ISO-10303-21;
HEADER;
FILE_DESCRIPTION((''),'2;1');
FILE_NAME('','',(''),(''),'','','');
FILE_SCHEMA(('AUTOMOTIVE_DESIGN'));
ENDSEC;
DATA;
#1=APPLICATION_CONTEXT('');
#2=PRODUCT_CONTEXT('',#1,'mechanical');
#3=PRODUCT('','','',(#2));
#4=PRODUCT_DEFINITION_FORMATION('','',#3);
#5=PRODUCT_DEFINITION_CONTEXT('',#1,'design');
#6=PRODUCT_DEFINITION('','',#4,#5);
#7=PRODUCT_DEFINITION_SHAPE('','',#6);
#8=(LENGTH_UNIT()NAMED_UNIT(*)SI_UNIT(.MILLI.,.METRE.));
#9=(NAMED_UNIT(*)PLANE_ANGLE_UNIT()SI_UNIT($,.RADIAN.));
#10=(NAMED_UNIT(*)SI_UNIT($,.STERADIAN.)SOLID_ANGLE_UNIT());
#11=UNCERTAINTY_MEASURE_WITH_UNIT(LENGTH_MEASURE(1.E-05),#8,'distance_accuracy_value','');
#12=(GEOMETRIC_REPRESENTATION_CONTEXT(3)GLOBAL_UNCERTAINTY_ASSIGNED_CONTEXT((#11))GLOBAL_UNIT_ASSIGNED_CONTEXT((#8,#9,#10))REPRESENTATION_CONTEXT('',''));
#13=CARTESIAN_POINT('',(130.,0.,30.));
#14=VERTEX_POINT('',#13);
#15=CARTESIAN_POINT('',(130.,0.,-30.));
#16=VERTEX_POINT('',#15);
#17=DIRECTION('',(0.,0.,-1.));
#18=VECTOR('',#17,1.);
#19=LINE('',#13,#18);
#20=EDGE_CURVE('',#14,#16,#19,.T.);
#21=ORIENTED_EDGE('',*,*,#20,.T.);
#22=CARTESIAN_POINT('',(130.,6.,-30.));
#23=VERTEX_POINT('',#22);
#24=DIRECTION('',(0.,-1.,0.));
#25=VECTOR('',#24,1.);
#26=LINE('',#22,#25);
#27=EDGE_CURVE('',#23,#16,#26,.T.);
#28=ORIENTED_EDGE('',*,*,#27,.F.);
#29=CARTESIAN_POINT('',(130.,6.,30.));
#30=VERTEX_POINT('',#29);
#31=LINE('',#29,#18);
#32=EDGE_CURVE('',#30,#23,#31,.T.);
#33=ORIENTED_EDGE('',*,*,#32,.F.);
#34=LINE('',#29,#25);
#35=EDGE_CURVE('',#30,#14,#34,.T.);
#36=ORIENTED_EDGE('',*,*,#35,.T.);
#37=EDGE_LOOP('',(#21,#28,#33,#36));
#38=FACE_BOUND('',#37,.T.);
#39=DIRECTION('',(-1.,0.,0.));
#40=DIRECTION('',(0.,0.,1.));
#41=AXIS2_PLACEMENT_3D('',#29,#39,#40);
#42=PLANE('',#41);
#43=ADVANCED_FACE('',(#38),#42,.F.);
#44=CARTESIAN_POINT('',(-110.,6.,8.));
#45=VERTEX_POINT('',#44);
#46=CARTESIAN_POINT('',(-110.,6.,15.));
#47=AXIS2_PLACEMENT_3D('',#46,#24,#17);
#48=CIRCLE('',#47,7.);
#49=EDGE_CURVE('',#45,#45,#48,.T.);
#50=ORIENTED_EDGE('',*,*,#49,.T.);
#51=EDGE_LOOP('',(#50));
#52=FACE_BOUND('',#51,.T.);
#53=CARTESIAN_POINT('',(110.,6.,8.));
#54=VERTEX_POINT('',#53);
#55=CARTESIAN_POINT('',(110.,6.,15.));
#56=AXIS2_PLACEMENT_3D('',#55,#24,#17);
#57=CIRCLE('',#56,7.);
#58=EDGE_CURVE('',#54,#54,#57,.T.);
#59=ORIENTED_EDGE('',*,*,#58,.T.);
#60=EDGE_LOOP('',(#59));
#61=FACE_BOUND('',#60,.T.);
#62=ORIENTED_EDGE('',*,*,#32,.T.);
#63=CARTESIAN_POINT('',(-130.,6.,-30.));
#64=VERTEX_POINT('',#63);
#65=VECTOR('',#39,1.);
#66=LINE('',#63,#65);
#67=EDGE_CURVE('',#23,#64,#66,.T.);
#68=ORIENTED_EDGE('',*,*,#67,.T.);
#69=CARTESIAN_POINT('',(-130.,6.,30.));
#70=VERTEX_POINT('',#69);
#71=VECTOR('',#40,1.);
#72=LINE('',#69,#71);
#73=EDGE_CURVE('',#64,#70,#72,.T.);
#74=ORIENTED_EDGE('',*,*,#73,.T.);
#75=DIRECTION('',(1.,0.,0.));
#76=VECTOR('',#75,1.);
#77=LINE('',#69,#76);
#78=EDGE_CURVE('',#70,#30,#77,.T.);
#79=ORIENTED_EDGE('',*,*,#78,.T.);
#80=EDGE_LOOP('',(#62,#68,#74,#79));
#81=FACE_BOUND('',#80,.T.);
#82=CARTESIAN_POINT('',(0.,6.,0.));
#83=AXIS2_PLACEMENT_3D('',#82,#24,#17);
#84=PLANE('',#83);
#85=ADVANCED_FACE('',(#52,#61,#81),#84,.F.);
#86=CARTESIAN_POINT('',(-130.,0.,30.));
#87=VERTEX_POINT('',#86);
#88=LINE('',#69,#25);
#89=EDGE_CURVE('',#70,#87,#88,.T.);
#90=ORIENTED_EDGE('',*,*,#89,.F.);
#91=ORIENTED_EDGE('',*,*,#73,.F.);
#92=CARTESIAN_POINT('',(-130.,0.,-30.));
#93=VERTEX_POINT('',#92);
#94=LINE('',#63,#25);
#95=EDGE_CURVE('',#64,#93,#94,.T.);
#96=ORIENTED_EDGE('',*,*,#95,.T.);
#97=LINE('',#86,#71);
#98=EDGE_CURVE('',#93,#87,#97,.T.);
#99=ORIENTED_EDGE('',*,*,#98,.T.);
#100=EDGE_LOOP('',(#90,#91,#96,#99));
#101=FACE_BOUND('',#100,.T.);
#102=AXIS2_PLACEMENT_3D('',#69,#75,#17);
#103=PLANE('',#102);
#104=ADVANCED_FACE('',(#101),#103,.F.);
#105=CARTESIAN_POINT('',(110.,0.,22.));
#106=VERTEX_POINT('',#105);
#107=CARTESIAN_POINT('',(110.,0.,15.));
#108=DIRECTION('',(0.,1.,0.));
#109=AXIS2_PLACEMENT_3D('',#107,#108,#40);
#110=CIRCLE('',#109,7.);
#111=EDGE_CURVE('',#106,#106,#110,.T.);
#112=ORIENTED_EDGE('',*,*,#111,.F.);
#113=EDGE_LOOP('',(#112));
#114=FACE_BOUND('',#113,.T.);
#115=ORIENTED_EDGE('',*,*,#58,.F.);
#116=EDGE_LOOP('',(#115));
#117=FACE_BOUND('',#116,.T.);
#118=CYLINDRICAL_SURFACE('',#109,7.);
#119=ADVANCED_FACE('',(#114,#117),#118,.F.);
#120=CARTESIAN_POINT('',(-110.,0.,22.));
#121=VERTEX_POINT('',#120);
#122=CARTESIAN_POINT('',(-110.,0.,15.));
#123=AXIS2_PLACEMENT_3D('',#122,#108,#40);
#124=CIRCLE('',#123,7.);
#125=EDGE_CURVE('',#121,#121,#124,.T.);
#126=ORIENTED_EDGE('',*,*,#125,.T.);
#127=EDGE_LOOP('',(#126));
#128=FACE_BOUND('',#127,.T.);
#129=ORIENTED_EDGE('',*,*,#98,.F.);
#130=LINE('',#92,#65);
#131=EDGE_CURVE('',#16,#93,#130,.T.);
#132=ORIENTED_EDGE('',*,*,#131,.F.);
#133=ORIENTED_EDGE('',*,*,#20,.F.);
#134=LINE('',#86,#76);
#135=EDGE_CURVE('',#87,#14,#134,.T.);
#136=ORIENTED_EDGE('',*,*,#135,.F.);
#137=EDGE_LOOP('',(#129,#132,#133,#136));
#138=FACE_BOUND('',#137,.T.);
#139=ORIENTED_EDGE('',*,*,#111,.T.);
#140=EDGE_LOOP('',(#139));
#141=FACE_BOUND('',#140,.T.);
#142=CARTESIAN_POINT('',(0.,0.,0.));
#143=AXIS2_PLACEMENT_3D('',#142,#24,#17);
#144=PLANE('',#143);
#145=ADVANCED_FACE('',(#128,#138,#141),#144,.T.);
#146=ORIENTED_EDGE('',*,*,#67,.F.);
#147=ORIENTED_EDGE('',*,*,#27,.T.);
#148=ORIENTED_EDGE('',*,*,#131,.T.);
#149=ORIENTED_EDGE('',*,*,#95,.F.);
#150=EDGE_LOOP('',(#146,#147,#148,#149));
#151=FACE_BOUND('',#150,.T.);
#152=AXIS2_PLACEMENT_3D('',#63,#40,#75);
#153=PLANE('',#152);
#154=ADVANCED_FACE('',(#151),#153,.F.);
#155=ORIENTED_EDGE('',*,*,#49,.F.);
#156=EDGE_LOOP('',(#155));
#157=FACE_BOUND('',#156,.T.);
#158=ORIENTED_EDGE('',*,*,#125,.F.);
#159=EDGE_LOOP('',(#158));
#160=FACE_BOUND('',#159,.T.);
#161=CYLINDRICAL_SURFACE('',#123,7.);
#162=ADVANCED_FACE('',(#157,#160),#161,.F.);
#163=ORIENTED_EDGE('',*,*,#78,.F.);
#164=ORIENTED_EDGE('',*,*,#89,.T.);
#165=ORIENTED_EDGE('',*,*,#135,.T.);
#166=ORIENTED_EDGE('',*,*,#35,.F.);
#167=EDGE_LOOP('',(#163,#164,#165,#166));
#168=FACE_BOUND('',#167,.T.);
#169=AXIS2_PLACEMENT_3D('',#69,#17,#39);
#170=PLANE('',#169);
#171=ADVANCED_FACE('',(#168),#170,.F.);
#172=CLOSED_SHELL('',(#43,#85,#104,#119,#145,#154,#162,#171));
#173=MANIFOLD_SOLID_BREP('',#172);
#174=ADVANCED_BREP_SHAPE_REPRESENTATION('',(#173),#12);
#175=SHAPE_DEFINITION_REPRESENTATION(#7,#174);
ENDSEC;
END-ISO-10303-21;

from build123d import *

# Parameters (mm, degrees)
SKETCH1_W               = 260
SKETCH1_H               = 60
BOSS_EXTRUDE1_DEPTH     = 6
CUT_EXTRUDE1_DEPTH      = 134.551488198
CUT_EXTRUDE1_DEPTH_BACK = 134.551488198
SKETCH2_R               = 7


with BuildPart() as part:
    # Sketch1 → Boss-Extrude1 (new body)
    with BuildSketch(Plane(origin=(0, 0, 0), x_dir=(1, 0, 0), z_dir=(0, 1, 0))):
        Rectangle(SKETCH1_W, SKETCH1_H)
    extrude(amount=BOSS_EXTRUDE1_DEPTH)

    # Sketch2 → Cut-Extrude1 (cut, two sides: drawn at the far end of the back side and taken through both)
    with BuildSketch(Plane(origin=(0, 6, 0), x_dir=(1, 0, 0), z_dir=(0, 1, 0)).offset(-CUT_EXTRUDE1_DEPTH_BACK)):
        with Locations(Location((110, -15, 0), (0, 0, 270))):
            Circle(SKETCH2_R)
        with Locations(Location((-110, -15, 0), (0, 0, 270))):
            Circle(SKETCH2_R)
    extrude(amount=CUT_EXTRUDE1_DEPTH + CUT_EXTRUDE1_DEPTH_BACK, mode=Mode.SUBTRACT)


solid = part.part
